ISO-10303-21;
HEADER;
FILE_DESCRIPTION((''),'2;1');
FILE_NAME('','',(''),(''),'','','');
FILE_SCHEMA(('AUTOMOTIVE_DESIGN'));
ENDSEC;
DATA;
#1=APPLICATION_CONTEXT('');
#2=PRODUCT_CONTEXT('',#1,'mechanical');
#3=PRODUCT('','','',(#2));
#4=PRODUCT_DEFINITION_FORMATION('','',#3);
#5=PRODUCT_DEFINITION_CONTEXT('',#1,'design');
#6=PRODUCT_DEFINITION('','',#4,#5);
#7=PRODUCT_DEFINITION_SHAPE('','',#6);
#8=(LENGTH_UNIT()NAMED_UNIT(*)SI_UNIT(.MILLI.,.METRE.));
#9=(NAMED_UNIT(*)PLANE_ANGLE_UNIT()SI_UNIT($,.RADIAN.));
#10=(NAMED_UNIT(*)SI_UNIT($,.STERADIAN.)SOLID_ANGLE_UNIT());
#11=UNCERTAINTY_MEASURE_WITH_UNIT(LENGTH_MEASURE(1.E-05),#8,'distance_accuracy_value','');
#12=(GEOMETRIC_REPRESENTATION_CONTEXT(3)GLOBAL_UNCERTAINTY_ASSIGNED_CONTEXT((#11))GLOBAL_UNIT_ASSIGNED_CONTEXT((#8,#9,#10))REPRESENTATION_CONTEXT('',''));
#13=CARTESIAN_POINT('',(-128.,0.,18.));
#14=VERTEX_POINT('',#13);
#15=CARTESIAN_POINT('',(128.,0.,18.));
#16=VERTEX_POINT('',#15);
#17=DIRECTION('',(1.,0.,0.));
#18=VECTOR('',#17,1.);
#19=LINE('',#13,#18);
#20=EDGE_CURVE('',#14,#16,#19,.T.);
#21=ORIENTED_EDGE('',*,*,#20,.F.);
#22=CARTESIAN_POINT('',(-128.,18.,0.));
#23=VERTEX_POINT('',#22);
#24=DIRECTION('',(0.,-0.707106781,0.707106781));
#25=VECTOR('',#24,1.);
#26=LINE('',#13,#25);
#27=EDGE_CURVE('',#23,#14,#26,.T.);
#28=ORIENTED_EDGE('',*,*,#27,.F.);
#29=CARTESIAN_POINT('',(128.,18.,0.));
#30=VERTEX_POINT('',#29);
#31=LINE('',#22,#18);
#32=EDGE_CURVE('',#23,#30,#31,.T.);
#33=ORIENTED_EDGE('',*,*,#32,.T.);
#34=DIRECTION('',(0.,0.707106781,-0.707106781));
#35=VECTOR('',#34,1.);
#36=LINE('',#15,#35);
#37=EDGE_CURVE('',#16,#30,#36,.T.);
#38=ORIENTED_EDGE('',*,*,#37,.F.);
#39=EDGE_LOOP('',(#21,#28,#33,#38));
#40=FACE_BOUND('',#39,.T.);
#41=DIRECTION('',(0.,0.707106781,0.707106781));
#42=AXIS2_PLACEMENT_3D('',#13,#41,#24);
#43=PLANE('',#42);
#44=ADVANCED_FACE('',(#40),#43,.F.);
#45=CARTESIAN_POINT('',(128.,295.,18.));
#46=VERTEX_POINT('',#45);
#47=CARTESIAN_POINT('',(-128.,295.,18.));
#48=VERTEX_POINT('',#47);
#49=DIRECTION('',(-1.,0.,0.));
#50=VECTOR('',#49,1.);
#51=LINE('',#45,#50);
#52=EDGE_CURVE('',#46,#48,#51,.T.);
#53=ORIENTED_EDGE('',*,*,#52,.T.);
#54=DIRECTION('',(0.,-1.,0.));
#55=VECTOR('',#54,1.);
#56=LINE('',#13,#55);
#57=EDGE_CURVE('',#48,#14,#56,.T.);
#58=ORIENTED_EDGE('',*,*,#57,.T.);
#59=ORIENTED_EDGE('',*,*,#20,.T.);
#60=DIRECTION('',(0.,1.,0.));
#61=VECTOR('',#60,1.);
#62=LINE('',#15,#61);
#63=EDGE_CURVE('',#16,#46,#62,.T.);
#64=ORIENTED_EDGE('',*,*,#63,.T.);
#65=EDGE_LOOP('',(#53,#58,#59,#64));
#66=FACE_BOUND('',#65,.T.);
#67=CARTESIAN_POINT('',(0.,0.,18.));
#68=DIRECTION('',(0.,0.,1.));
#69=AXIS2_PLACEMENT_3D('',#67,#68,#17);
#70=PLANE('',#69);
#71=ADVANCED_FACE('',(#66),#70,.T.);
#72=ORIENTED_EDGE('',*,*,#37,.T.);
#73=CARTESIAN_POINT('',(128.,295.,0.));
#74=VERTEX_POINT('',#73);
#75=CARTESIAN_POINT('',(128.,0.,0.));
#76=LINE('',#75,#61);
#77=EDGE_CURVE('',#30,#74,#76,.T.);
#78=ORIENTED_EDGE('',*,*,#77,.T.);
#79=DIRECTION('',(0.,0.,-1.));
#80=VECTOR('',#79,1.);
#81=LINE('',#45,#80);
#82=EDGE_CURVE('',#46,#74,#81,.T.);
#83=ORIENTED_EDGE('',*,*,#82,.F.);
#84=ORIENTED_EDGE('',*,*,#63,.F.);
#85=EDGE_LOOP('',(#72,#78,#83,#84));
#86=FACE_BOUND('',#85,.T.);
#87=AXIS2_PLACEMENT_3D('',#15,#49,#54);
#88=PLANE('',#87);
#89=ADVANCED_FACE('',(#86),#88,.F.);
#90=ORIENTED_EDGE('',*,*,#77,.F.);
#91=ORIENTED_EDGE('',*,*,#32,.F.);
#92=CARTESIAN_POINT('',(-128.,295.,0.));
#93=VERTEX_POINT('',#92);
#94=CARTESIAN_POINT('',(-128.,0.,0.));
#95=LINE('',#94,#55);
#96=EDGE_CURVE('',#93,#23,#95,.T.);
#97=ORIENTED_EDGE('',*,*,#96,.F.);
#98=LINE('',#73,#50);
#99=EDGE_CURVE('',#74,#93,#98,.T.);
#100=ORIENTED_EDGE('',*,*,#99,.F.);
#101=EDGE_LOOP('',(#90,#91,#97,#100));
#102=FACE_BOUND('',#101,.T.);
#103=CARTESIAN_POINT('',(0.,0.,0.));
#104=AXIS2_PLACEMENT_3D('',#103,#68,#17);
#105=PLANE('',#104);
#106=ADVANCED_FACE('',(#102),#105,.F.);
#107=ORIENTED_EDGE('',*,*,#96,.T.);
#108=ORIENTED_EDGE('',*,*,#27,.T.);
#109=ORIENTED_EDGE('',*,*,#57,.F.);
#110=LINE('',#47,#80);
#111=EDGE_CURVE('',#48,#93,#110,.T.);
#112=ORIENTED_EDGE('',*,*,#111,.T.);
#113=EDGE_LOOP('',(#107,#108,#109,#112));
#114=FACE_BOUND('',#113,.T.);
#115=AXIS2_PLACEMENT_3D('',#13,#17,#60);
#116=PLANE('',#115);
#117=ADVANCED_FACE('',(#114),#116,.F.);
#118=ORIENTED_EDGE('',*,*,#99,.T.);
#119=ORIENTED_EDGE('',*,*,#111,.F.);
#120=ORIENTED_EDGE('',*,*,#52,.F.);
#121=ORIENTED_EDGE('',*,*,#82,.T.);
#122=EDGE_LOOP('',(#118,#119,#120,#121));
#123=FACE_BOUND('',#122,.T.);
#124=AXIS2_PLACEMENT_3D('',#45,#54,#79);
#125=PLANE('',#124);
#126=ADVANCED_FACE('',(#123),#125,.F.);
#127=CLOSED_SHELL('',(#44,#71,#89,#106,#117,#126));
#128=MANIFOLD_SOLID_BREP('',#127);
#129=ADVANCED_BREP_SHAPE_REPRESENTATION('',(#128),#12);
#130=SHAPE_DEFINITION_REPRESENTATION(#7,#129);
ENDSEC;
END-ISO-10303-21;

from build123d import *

# Parameters (mm, degrees)
ESQUISSE1_W                  = 256
ESQUISSE1_H                  = 295
BOSS_EXTRU_1_DEPTH           = 18
ENL_V_MAT_EXTRU_1_DEPTH      = 392.005115056
ENL_V_MAT_EXTRU_1_DEPTH_BACK = 392.005115056


with BuildPart() as part:
    # Esquisse1 → Boss.-Extru.1 (new body)
    with BuildSketch(Plane.XY):
        with Locations((0, 147.5)):
            Rectangle(ESQUISSE1_W, ESQUISSE1_H)
    extrude(amount=BOSS_EXTRU_1_DEPTH)

    # Esquisse2 → Enlèv. mat.-Extru.1 (cut, two sides: drawn at the far end of the back side and taken through both)
    with BuildSketch(Plane(origin=(128, 0, 0), x_dir=(0, 0, -1), z_dir=(1, 0, 0)).offset(-ENL_V_MAT_EXTRU_1_DEPTH_BACK)):
        Polygon((-18, 0), (0, 18), (0, 0), align=None)
    extrude(amount=ENL_V_MAT_EXTRU_1_DEPTH + ENL_V_MAT_EXTRU_1_DEPTH_BACK, mode=Mode.SUBTRACT)


solid = part.part
